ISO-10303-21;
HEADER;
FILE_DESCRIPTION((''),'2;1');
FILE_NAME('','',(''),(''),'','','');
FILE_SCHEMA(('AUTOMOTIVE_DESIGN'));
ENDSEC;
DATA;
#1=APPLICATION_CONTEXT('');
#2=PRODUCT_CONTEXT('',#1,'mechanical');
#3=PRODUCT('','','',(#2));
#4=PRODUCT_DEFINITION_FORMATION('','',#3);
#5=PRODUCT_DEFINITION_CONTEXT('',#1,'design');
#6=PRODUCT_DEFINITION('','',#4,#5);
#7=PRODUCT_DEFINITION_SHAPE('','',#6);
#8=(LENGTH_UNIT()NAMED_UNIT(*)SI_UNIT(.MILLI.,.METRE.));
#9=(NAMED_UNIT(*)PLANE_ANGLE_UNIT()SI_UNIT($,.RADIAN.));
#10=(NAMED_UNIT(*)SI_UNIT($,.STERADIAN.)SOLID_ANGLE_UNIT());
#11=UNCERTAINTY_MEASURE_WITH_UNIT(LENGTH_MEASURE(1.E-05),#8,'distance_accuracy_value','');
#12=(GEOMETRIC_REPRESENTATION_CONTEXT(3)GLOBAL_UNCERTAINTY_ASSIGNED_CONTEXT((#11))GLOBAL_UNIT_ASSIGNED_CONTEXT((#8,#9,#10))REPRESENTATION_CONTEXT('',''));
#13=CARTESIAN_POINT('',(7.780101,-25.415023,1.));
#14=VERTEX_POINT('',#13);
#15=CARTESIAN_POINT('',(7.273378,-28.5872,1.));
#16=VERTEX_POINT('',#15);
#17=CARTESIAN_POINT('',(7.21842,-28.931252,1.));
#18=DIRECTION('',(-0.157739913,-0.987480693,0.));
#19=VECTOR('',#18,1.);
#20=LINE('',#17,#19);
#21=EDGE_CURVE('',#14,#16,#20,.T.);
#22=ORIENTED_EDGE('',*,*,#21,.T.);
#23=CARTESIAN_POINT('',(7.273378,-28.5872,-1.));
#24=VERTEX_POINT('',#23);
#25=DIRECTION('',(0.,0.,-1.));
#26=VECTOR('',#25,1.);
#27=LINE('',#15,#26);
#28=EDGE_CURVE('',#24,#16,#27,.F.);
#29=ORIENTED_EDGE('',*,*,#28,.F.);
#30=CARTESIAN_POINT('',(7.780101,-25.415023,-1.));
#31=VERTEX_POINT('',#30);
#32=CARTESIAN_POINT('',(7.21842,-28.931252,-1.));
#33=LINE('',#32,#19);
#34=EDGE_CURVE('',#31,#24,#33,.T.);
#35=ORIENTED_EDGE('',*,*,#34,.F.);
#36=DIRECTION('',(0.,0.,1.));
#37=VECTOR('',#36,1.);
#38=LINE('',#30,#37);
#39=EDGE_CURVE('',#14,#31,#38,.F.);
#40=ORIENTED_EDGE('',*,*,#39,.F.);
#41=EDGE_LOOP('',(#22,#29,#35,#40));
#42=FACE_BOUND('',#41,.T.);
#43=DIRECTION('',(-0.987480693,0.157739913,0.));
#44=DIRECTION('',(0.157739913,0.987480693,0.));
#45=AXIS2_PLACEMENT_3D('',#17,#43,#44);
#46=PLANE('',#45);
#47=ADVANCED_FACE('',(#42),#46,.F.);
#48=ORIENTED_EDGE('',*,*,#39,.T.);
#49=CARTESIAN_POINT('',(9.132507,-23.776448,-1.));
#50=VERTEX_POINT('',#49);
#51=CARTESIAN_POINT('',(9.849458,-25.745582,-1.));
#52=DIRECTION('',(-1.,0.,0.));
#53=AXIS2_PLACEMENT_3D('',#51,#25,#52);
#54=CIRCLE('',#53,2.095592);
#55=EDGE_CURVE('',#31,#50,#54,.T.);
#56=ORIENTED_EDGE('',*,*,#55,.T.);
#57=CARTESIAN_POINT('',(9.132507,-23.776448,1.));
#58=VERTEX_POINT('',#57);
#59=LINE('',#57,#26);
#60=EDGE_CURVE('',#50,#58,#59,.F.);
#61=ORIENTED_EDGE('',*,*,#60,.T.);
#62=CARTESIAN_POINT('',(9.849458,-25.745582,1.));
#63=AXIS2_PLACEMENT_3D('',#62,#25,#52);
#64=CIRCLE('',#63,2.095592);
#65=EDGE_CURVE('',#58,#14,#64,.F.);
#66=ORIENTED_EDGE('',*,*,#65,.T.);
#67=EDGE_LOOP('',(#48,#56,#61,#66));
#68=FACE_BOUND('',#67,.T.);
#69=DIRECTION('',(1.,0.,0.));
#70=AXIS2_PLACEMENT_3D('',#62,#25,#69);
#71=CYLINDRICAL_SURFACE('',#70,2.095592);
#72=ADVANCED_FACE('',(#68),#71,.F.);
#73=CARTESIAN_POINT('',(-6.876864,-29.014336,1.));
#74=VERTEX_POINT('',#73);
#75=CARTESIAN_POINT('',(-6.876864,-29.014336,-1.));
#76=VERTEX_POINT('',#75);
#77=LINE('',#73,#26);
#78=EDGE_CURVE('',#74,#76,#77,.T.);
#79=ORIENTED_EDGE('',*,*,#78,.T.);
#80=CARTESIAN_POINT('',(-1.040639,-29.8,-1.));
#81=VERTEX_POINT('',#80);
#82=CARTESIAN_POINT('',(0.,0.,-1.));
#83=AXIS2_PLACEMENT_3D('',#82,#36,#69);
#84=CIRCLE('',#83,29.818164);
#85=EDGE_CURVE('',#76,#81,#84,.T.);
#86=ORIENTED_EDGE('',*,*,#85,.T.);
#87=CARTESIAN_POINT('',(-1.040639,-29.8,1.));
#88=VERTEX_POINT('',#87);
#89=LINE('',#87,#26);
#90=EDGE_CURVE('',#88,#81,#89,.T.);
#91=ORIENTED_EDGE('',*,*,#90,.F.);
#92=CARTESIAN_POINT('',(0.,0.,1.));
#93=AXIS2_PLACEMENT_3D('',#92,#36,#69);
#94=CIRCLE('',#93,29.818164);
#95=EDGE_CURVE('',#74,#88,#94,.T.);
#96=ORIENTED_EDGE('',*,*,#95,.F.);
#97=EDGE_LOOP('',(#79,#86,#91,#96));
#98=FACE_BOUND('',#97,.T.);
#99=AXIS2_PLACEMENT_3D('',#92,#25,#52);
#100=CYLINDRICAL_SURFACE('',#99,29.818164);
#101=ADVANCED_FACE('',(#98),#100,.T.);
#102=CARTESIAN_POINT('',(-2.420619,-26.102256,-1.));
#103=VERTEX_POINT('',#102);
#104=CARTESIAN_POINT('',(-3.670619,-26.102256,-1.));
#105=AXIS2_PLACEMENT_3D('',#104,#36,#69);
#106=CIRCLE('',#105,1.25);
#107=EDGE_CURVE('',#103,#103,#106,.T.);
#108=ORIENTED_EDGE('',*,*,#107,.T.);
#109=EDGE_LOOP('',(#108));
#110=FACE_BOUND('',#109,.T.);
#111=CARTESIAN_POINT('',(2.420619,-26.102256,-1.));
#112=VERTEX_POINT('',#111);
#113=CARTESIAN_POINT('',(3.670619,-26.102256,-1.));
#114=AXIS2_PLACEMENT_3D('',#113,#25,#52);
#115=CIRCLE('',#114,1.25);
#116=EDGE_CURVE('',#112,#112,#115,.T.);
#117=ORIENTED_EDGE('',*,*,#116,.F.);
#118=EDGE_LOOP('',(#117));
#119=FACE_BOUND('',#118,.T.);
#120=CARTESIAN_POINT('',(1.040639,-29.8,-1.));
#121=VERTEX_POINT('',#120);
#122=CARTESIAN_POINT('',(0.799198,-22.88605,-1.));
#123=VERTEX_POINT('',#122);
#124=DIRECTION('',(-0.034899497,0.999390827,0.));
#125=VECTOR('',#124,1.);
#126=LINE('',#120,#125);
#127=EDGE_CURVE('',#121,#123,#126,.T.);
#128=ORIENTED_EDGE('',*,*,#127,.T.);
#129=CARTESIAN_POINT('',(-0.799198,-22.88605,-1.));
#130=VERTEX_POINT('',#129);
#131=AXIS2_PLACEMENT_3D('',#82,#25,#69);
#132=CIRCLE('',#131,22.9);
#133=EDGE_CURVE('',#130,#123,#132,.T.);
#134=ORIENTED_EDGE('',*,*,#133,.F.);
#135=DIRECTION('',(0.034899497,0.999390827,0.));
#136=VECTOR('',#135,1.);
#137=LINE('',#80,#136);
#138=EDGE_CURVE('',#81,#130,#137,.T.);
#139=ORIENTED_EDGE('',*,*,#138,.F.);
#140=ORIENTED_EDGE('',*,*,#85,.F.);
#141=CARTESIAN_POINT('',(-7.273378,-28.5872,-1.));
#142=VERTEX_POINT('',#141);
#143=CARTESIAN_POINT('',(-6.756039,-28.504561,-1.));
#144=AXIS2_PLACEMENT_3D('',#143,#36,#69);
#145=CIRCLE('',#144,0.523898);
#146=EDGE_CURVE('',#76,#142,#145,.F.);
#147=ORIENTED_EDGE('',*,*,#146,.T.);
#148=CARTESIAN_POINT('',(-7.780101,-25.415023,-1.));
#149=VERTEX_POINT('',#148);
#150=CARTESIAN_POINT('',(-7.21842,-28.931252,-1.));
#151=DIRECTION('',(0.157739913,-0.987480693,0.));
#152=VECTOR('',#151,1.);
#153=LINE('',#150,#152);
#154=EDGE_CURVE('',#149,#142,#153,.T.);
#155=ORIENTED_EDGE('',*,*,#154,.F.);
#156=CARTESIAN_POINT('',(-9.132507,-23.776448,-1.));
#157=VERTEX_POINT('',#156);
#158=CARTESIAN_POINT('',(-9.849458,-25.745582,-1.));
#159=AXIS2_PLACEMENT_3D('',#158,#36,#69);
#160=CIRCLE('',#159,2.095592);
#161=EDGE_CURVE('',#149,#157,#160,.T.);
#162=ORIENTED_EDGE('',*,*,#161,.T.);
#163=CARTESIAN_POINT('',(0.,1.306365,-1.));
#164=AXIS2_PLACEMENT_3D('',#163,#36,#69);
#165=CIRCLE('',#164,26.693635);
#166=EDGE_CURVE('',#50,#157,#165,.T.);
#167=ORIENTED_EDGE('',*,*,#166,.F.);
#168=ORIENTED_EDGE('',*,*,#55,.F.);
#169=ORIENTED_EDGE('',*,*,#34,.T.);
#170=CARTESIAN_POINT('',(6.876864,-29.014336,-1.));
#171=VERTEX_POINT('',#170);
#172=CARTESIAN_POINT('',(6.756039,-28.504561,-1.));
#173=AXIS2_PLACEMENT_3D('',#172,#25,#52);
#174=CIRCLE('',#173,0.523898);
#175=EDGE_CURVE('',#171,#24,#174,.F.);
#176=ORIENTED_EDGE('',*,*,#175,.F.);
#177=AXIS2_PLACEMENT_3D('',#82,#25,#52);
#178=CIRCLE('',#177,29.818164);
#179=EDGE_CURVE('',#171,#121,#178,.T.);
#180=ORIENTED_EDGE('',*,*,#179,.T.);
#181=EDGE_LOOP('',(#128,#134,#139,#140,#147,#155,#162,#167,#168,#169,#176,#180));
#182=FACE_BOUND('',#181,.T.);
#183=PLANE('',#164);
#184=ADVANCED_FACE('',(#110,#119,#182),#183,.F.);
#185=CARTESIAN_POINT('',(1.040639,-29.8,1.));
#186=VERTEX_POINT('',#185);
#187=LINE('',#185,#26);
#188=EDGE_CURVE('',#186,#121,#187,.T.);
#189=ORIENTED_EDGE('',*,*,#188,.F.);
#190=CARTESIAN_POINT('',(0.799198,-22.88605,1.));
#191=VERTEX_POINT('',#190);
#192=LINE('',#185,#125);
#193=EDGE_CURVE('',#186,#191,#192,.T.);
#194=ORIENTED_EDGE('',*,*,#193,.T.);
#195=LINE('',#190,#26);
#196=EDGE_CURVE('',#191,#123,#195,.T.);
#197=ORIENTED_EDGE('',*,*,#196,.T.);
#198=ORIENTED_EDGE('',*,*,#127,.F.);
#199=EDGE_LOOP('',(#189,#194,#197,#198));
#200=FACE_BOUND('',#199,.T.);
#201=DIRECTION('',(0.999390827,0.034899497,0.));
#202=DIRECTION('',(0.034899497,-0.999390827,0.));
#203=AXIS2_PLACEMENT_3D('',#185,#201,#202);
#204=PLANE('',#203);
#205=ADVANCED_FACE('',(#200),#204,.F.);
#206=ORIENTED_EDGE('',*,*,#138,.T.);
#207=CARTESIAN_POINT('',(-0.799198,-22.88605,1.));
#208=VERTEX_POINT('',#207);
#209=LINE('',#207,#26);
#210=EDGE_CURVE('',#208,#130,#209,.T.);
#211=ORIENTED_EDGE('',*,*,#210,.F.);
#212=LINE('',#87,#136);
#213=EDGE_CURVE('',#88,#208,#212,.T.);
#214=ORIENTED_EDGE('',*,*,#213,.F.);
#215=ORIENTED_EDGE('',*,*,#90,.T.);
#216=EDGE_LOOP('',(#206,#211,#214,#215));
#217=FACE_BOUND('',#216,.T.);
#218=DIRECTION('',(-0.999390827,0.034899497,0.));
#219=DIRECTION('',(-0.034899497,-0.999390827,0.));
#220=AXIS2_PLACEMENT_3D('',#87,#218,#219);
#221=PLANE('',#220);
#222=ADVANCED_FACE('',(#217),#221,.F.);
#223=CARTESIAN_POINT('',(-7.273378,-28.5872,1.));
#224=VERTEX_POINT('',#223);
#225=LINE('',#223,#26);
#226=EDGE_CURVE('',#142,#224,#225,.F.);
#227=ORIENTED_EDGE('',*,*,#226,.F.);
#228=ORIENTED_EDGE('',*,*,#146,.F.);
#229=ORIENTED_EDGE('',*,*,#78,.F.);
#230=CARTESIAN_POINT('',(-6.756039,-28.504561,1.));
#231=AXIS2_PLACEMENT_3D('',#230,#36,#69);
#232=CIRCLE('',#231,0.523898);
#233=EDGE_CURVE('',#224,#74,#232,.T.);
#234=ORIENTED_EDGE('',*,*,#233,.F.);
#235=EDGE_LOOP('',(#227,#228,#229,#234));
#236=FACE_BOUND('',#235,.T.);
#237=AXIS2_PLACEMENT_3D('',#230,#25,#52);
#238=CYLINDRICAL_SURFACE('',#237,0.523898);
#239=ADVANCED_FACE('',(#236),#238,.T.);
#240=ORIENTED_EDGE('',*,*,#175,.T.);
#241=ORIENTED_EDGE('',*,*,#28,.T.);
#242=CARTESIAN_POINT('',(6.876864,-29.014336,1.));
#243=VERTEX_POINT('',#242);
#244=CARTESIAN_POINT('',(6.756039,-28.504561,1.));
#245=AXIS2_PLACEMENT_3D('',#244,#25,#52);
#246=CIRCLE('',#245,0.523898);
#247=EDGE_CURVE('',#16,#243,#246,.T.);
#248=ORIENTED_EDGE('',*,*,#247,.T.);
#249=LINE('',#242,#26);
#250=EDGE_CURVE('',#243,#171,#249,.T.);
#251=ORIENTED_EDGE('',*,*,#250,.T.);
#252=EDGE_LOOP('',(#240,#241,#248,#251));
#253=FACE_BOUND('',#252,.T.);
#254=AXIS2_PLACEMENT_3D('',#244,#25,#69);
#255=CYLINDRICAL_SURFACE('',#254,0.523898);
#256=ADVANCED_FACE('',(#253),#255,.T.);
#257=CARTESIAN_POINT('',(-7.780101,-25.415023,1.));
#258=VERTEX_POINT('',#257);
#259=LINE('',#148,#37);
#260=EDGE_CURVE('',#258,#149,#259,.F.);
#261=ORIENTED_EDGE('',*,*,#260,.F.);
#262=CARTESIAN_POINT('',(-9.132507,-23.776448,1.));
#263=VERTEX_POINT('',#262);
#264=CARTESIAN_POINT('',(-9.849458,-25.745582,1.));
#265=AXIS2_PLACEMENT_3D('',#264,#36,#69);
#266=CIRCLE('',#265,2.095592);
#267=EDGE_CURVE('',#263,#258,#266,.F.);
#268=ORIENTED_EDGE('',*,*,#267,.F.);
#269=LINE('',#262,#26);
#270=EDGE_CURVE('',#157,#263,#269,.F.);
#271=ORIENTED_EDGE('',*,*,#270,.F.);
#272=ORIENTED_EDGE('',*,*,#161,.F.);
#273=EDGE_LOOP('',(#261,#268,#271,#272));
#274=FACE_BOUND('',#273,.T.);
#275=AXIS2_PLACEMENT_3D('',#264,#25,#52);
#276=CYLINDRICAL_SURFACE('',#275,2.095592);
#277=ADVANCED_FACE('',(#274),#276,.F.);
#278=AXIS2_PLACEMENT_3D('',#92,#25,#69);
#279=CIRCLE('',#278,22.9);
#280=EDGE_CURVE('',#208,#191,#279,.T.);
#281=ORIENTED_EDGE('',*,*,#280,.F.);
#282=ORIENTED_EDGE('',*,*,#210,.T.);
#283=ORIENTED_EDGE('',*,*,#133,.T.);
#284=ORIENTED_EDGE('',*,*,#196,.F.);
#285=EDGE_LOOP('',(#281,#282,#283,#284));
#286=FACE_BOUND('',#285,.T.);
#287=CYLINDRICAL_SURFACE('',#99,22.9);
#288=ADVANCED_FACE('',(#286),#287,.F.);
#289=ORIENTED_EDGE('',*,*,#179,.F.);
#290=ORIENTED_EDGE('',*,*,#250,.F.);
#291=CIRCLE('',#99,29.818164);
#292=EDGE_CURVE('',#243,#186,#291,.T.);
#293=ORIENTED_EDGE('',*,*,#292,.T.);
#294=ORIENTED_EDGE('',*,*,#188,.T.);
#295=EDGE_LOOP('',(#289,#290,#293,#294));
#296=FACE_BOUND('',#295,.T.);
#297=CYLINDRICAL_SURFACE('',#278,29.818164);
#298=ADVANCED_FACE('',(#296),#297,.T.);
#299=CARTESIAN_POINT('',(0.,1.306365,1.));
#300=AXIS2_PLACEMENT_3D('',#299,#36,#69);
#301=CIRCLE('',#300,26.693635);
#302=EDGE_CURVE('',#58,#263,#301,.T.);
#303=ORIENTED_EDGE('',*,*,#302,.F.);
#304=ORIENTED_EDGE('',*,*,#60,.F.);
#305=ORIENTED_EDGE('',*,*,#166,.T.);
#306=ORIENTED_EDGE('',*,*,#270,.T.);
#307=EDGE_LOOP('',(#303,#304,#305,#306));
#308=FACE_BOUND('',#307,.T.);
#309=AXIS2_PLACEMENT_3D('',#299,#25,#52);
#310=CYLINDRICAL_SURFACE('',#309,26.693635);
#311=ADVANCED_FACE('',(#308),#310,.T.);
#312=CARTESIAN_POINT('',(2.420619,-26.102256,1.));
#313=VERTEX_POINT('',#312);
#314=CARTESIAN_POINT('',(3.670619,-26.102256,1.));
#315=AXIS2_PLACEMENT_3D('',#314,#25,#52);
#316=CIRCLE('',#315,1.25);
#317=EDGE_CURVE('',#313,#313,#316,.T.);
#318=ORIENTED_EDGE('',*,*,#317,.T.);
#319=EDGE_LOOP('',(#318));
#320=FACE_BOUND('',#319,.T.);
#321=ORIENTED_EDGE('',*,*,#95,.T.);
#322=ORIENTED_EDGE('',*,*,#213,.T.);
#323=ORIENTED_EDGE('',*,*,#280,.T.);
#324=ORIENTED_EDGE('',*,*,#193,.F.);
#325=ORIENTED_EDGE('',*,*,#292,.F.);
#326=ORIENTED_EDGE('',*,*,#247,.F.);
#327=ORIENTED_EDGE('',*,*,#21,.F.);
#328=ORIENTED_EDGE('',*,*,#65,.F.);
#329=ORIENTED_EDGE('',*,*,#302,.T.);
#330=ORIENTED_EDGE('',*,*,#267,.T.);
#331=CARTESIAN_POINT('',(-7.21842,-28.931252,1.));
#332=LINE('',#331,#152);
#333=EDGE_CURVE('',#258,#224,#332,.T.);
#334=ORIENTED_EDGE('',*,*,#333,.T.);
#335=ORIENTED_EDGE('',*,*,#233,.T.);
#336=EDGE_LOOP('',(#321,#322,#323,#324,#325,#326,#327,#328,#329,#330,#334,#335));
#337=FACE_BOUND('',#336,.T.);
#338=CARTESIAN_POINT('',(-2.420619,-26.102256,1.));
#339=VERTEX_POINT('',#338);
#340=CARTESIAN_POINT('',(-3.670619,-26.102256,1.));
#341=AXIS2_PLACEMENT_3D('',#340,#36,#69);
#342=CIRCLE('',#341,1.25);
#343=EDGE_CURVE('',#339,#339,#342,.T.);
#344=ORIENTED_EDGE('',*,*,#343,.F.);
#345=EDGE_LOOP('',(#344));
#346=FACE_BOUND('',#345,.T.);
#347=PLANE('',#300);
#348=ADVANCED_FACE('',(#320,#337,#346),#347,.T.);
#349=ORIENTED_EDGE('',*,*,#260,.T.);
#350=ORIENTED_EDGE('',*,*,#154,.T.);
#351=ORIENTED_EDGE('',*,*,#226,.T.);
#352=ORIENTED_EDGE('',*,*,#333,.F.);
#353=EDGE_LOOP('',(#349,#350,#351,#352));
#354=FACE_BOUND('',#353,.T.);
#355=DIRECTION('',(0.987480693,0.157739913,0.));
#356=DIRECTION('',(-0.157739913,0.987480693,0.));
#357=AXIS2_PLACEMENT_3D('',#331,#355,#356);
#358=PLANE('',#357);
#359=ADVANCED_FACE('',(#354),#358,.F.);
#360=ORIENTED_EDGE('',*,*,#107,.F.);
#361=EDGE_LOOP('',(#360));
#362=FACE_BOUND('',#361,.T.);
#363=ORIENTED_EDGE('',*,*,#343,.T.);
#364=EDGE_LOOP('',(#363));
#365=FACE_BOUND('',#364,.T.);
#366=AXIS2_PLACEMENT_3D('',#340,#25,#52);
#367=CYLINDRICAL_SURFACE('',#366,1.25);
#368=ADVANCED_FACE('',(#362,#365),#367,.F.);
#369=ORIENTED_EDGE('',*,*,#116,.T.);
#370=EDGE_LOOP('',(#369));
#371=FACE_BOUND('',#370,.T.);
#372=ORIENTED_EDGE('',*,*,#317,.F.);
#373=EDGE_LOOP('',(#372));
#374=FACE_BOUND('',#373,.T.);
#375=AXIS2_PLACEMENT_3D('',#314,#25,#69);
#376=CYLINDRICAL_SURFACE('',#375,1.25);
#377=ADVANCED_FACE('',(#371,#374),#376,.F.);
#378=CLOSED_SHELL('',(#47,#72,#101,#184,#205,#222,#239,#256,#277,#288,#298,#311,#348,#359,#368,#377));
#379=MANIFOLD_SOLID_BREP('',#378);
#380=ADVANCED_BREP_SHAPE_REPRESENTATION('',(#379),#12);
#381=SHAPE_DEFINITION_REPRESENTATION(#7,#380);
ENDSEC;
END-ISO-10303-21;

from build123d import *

# Parameters (mm, degrees)
SKETCH4_R           = 1.25
BOSS_EXTRUDE1_DEPTH = 1
FILLET1_R           = 2.095591987
FILLET2_R           = 0.523897997


with BuildPart() as part:
    # Sketch4 → Boss-Extrude1 (new, symmetric)
    with BuildSketch(Plane.XY):
        with BuildLine():
            Line((-7.218419511, -28.931252119), (-7.979505874, -24.166712354))
            ThreePointArc((-7.979505874, -24.166712354), (-26.386731475, 5.342522391), (0, 28))
            Line((0, 28), (0, 22.9))
            ThreePointArc((0, 22.9), (-22.896512219, 0.399660107), (-0.799198474, -22.886049939))
            Line((-0.799198474, -22.886049939), (-1.040638931, -29.8))
            ThreePointArc((-1.040638931, -29.8), (-4.152311682, -29.527635142), (-7.218419511, -28.931252119))
        make_face()
        with Locations((-3.670619139, -26.102256035)):
            Circle(SKETCH4_R, mode=Mode.SUBTRACT)
    extrude(amount=BOSS_EXTRUDE1_DEPTH, both=True)

    # Fillet1
    fillet1_edges = [part.edges().sort_by_distance(p)[0] for p in [
        (-7.979505874, -24.166712354, 0),
    ]]
    fillet(fillet1_edges, radius=FILLET1_R)

    # Fillet2
    fillet2_edges = [part.edges().sort_by_distance(p)[0] for p in [
        (-7.218419511, -28.931252119, 0),
    ]]
    fillet(fillet2_edges, radius=FILLET2_R)

    # Mirror1: part across plane


with BuildPart() as part_1:
    add(part.part)
    add(part.part.mirror(Plane(origin=(0, 28, 1), x_dir=(0, 0, 1), z_dir=(-1, 0, 0))))


solid = part_1.part
